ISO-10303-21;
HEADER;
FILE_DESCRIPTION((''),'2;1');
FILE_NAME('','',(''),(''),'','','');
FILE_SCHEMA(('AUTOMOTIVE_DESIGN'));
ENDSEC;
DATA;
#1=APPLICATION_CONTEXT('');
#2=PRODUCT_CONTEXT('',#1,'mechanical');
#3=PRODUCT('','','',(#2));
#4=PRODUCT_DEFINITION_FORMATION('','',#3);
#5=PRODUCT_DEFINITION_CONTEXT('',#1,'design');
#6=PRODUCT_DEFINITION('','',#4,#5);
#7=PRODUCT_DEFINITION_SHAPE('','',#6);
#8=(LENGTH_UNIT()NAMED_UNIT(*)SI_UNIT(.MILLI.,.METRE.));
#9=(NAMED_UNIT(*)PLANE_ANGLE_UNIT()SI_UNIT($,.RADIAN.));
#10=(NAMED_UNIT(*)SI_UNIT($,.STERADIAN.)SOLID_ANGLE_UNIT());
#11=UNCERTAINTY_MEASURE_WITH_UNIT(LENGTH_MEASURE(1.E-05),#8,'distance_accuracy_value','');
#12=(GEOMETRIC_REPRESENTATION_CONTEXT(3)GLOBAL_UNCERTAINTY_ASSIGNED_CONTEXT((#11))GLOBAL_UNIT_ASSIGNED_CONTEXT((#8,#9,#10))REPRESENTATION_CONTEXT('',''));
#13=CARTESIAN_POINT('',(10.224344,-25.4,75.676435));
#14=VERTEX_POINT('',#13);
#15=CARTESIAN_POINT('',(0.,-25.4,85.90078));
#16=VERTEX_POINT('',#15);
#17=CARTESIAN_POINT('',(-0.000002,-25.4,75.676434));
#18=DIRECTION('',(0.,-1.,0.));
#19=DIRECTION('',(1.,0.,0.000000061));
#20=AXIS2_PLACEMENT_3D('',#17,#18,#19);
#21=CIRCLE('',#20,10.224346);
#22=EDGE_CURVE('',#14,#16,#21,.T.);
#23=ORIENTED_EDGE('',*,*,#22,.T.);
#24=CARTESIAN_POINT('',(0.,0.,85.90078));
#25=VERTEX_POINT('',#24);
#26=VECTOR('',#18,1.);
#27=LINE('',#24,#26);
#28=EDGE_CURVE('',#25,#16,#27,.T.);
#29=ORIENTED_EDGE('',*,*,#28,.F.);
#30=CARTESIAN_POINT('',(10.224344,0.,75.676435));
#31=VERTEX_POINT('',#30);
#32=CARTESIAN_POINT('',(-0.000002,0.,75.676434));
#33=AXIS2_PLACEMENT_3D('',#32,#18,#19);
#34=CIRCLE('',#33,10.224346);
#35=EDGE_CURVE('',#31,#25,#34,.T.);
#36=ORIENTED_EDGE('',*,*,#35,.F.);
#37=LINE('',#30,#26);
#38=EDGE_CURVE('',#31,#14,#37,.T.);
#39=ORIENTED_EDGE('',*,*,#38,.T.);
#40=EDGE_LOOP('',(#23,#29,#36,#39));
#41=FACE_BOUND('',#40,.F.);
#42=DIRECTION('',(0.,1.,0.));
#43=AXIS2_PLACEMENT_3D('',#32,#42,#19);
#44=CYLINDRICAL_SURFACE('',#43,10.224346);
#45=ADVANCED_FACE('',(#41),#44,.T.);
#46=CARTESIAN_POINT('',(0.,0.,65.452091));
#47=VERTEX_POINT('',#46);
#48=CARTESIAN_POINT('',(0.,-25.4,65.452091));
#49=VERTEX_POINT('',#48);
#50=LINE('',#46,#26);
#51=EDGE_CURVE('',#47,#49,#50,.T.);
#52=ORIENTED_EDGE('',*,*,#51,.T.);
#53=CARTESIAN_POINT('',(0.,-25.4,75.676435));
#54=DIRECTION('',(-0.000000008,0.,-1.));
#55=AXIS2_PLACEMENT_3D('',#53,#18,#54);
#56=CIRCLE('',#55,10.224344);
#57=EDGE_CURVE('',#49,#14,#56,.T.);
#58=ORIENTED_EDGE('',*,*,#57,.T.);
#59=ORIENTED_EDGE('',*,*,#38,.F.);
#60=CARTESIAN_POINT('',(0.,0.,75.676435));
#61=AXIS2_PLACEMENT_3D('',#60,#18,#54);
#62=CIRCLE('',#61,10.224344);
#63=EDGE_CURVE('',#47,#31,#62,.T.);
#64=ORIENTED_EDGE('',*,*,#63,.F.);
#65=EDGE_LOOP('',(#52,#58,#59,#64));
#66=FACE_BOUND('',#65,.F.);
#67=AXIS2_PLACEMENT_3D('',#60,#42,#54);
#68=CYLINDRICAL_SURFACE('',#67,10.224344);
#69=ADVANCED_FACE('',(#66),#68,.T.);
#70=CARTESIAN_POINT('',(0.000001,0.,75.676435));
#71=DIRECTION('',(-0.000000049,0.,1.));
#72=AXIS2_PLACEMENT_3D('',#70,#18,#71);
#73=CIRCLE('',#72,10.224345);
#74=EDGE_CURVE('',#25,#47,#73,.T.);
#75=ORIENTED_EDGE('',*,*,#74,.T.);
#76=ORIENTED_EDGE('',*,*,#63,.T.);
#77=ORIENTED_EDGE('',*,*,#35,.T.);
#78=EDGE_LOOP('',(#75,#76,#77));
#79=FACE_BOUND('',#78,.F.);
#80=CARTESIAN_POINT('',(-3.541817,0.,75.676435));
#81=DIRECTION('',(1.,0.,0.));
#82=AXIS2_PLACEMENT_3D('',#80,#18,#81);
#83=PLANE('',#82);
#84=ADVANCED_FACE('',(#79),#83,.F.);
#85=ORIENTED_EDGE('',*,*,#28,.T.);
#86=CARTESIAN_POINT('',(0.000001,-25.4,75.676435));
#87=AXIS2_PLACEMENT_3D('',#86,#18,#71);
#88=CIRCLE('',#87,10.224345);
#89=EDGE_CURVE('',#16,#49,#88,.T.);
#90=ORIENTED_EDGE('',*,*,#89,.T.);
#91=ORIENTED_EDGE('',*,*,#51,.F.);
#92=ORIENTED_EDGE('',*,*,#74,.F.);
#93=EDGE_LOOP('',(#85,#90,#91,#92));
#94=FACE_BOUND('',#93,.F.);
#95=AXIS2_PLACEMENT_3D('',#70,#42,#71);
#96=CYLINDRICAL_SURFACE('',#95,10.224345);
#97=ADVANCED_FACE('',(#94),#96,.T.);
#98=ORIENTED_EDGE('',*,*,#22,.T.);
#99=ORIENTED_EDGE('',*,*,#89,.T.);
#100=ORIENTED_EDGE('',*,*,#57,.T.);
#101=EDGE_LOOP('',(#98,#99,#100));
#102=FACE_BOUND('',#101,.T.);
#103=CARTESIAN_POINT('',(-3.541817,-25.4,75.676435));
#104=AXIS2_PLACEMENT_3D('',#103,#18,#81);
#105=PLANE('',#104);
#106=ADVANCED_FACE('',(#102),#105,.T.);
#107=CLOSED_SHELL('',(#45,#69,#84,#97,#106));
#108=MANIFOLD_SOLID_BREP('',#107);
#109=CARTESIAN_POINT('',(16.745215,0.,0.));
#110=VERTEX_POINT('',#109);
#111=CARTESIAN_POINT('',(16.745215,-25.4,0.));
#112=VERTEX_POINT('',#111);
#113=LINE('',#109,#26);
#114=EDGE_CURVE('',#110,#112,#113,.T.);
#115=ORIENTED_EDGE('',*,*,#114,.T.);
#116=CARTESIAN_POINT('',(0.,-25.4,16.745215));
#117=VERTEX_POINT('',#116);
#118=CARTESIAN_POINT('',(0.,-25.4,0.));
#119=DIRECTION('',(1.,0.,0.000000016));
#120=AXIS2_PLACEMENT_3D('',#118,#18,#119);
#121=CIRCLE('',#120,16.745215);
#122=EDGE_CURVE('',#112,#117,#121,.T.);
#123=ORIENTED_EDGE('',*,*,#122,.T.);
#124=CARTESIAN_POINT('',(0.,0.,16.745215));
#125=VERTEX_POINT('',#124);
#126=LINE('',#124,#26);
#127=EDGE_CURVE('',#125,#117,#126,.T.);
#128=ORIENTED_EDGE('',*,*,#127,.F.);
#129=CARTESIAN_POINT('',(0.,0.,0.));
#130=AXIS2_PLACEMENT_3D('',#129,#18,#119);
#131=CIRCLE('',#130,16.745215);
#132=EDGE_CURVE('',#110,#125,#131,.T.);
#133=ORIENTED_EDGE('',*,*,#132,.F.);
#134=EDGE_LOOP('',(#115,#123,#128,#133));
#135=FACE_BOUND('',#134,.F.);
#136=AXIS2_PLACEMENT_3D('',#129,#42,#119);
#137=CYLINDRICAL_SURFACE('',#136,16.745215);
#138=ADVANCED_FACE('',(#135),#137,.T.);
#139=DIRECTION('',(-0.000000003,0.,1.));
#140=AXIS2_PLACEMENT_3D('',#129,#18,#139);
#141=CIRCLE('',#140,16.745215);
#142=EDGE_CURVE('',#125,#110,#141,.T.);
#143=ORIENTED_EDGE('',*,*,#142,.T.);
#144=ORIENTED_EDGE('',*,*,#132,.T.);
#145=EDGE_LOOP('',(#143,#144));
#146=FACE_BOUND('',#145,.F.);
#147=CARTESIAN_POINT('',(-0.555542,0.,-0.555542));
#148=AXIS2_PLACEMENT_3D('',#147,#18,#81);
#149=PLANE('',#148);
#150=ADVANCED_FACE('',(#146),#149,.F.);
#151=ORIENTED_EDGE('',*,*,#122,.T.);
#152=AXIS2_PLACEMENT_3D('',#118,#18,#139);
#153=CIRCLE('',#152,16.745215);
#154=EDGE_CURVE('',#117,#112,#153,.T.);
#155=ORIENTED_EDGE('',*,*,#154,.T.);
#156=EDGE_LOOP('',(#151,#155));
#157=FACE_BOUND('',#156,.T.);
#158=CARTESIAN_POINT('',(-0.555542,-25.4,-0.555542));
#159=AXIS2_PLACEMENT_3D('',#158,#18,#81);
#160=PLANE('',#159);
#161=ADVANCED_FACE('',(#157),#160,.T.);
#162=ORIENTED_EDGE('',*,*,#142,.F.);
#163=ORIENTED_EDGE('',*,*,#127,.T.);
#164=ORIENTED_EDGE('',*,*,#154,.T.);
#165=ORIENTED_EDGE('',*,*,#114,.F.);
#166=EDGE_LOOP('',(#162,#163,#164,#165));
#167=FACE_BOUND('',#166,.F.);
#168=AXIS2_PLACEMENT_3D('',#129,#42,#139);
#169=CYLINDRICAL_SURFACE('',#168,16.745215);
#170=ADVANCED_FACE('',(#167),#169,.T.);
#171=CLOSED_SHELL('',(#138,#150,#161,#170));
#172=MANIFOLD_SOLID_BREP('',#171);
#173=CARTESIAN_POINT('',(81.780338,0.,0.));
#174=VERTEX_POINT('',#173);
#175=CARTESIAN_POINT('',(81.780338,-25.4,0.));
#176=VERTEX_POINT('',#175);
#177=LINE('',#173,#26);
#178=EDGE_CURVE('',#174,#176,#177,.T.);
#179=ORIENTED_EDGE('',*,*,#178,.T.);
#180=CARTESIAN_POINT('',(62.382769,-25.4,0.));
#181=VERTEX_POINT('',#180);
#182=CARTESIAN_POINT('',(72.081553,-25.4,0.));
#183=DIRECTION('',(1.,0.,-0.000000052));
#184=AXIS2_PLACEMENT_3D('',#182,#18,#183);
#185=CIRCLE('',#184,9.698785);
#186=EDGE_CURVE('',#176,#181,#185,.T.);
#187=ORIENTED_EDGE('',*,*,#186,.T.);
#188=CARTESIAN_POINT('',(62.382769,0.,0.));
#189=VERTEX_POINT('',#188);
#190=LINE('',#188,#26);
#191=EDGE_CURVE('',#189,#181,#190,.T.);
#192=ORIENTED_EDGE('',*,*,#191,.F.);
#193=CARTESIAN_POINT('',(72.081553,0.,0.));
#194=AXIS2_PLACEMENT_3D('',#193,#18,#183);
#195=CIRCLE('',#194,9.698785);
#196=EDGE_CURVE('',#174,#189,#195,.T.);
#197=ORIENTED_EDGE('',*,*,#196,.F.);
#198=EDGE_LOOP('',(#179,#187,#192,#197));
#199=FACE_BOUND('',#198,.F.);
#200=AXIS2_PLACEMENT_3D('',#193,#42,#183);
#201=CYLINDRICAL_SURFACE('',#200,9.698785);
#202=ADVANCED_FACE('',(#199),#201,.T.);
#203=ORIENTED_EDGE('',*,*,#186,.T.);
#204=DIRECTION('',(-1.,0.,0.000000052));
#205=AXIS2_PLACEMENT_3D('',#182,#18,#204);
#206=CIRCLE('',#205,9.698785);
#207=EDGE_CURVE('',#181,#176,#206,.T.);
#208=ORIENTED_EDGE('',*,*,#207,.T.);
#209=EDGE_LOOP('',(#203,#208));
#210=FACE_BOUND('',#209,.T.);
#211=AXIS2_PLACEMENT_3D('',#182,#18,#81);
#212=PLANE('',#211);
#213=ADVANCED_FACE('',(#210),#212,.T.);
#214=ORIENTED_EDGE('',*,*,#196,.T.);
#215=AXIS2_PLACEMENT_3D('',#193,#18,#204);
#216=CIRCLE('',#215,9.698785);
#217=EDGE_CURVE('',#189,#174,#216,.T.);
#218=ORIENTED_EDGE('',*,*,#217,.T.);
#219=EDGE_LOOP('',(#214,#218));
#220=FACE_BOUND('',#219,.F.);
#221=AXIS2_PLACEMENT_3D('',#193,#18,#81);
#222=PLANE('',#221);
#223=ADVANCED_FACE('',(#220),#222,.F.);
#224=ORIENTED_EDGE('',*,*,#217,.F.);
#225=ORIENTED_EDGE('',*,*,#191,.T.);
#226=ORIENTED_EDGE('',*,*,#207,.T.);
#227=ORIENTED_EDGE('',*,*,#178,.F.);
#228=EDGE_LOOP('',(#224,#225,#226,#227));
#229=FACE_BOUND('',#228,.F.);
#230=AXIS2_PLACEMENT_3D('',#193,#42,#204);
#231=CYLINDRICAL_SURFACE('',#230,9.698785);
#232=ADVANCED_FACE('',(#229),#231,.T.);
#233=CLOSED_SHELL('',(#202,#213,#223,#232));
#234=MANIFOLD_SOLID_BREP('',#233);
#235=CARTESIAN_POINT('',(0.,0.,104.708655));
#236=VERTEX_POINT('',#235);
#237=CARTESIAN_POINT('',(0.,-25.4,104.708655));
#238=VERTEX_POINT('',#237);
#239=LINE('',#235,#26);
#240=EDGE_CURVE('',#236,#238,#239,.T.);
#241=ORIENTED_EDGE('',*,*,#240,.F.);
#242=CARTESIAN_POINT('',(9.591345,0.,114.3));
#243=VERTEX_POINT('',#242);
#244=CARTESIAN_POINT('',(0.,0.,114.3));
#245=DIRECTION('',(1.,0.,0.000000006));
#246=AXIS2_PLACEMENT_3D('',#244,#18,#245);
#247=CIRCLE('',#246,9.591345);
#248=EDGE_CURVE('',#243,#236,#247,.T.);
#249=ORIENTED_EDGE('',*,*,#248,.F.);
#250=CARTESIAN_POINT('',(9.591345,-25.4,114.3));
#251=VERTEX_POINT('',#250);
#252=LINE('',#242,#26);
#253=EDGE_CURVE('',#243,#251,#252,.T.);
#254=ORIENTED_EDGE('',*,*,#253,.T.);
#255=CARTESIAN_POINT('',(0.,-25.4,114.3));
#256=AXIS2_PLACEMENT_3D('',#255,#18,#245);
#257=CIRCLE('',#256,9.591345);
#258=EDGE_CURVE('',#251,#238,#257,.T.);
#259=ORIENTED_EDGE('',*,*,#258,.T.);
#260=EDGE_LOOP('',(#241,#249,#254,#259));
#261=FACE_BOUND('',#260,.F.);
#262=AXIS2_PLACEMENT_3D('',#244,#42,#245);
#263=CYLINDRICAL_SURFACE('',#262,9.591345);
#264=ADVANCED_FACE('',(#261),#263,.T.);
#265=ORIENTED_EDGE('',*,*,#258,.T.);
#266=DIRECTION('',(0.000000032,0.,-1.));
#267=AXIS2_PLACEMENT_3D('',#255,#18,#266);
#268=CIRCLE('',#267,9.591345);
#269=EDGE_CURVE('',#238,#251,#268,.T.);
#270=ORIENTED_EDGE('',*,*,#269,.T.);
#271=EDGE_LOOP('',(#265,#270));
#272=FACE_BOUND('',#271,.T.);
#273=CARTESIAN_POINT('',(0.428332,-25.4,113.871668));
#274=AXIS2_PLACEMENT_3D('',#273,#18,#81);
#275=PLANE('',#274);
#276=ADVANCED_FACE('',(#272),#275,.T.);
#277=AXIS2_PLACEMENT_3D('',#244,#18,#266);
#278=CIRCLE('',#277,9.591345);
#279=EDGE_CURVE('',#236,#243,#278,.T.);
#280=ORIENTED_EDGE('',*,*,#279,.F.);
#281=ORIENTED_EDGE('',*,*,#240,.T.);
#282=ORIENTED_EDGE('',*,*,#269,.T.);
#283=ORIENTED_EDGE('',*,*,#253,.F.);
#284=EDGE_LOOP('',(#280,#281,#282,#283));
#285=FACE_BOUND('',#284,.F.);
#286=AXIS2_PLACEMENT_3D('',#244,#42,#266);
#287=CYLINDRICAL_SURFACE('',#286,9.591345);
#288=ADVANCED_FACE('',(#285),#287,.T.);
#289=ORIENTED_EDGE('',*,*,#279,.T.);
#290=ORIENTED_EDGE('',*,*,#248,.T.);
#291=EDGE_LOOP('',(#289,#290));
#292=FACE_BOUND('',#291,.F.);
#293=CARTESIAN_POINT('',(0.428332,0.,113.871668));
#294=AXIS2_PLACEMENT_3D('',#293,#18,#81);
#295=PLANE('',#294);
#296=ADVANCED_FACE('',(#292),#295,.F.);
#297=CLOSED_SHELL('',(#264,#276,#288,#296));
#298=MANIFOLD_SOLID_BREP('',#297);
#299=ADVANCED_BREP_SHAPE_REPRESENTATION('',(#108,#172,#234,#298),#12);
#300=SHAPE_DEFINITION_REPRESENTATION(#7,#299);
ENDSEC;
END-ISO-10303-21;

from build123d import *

# Parameters (mm, degrees)
F1_DEPTH = 25.4


with BuildPart() as f1:
    # F0 (on Front) → F1 (new body)
    with BuildSketch(Plane.XZ):
        with BuildLine():
            Line((16.745215, 0), (0, 0))
            Line((0, 0), (0, 16.745215))
            ThreePointArc((0, 16.745215), (-11.840655, -11.840655), (16.745215, 0))
        make_face()
        with BuildLine():
            Line((0, 16.745215), (0, 0))
            Line((0, 0), (16.745215, 0))
            ThreePointArc((16.745215, 0), (11.840655, 11.840655), (0, 16.745215))
        make_face()
        with BuildLine():
            ThreePointArc((9.591345, 114.3), (-6.782105, 121.082105), (0, 104.708655))
            ThreePointArc((0, 104.708655), (6.782105, 107.517895), (9.591345, 114.3))
        make_face()
        with BuildLine():
            ThreePointArc((0, 85.90078), (-10.224344, 75.676435), (0, 65.452091))
            Line((0, 65.452091), (0, 85.90078))
        make_face()
        with BuildLine():
            Line((0, 85.90078), (0, 65.452091))
            ThreePointArc((0, 65.452091), (7.229703, 68.446732), (10.224344, 75.676435))
            ThreePointArc((10.224344, 75.676435), (7.229703, 82.906138), (0, 85.90078))
        make_face()
        with BuildLine():
            ThreePointArc((81.780338, 0), (72.081553, 9.698785), (62.382769, 0))
            ThreePointArc((62.382769, 0), (72.081553, -9.698785), (81.780338, 0))
        make_face()
    extrude(amount=F1_DEPTH)


solid = f1.part
